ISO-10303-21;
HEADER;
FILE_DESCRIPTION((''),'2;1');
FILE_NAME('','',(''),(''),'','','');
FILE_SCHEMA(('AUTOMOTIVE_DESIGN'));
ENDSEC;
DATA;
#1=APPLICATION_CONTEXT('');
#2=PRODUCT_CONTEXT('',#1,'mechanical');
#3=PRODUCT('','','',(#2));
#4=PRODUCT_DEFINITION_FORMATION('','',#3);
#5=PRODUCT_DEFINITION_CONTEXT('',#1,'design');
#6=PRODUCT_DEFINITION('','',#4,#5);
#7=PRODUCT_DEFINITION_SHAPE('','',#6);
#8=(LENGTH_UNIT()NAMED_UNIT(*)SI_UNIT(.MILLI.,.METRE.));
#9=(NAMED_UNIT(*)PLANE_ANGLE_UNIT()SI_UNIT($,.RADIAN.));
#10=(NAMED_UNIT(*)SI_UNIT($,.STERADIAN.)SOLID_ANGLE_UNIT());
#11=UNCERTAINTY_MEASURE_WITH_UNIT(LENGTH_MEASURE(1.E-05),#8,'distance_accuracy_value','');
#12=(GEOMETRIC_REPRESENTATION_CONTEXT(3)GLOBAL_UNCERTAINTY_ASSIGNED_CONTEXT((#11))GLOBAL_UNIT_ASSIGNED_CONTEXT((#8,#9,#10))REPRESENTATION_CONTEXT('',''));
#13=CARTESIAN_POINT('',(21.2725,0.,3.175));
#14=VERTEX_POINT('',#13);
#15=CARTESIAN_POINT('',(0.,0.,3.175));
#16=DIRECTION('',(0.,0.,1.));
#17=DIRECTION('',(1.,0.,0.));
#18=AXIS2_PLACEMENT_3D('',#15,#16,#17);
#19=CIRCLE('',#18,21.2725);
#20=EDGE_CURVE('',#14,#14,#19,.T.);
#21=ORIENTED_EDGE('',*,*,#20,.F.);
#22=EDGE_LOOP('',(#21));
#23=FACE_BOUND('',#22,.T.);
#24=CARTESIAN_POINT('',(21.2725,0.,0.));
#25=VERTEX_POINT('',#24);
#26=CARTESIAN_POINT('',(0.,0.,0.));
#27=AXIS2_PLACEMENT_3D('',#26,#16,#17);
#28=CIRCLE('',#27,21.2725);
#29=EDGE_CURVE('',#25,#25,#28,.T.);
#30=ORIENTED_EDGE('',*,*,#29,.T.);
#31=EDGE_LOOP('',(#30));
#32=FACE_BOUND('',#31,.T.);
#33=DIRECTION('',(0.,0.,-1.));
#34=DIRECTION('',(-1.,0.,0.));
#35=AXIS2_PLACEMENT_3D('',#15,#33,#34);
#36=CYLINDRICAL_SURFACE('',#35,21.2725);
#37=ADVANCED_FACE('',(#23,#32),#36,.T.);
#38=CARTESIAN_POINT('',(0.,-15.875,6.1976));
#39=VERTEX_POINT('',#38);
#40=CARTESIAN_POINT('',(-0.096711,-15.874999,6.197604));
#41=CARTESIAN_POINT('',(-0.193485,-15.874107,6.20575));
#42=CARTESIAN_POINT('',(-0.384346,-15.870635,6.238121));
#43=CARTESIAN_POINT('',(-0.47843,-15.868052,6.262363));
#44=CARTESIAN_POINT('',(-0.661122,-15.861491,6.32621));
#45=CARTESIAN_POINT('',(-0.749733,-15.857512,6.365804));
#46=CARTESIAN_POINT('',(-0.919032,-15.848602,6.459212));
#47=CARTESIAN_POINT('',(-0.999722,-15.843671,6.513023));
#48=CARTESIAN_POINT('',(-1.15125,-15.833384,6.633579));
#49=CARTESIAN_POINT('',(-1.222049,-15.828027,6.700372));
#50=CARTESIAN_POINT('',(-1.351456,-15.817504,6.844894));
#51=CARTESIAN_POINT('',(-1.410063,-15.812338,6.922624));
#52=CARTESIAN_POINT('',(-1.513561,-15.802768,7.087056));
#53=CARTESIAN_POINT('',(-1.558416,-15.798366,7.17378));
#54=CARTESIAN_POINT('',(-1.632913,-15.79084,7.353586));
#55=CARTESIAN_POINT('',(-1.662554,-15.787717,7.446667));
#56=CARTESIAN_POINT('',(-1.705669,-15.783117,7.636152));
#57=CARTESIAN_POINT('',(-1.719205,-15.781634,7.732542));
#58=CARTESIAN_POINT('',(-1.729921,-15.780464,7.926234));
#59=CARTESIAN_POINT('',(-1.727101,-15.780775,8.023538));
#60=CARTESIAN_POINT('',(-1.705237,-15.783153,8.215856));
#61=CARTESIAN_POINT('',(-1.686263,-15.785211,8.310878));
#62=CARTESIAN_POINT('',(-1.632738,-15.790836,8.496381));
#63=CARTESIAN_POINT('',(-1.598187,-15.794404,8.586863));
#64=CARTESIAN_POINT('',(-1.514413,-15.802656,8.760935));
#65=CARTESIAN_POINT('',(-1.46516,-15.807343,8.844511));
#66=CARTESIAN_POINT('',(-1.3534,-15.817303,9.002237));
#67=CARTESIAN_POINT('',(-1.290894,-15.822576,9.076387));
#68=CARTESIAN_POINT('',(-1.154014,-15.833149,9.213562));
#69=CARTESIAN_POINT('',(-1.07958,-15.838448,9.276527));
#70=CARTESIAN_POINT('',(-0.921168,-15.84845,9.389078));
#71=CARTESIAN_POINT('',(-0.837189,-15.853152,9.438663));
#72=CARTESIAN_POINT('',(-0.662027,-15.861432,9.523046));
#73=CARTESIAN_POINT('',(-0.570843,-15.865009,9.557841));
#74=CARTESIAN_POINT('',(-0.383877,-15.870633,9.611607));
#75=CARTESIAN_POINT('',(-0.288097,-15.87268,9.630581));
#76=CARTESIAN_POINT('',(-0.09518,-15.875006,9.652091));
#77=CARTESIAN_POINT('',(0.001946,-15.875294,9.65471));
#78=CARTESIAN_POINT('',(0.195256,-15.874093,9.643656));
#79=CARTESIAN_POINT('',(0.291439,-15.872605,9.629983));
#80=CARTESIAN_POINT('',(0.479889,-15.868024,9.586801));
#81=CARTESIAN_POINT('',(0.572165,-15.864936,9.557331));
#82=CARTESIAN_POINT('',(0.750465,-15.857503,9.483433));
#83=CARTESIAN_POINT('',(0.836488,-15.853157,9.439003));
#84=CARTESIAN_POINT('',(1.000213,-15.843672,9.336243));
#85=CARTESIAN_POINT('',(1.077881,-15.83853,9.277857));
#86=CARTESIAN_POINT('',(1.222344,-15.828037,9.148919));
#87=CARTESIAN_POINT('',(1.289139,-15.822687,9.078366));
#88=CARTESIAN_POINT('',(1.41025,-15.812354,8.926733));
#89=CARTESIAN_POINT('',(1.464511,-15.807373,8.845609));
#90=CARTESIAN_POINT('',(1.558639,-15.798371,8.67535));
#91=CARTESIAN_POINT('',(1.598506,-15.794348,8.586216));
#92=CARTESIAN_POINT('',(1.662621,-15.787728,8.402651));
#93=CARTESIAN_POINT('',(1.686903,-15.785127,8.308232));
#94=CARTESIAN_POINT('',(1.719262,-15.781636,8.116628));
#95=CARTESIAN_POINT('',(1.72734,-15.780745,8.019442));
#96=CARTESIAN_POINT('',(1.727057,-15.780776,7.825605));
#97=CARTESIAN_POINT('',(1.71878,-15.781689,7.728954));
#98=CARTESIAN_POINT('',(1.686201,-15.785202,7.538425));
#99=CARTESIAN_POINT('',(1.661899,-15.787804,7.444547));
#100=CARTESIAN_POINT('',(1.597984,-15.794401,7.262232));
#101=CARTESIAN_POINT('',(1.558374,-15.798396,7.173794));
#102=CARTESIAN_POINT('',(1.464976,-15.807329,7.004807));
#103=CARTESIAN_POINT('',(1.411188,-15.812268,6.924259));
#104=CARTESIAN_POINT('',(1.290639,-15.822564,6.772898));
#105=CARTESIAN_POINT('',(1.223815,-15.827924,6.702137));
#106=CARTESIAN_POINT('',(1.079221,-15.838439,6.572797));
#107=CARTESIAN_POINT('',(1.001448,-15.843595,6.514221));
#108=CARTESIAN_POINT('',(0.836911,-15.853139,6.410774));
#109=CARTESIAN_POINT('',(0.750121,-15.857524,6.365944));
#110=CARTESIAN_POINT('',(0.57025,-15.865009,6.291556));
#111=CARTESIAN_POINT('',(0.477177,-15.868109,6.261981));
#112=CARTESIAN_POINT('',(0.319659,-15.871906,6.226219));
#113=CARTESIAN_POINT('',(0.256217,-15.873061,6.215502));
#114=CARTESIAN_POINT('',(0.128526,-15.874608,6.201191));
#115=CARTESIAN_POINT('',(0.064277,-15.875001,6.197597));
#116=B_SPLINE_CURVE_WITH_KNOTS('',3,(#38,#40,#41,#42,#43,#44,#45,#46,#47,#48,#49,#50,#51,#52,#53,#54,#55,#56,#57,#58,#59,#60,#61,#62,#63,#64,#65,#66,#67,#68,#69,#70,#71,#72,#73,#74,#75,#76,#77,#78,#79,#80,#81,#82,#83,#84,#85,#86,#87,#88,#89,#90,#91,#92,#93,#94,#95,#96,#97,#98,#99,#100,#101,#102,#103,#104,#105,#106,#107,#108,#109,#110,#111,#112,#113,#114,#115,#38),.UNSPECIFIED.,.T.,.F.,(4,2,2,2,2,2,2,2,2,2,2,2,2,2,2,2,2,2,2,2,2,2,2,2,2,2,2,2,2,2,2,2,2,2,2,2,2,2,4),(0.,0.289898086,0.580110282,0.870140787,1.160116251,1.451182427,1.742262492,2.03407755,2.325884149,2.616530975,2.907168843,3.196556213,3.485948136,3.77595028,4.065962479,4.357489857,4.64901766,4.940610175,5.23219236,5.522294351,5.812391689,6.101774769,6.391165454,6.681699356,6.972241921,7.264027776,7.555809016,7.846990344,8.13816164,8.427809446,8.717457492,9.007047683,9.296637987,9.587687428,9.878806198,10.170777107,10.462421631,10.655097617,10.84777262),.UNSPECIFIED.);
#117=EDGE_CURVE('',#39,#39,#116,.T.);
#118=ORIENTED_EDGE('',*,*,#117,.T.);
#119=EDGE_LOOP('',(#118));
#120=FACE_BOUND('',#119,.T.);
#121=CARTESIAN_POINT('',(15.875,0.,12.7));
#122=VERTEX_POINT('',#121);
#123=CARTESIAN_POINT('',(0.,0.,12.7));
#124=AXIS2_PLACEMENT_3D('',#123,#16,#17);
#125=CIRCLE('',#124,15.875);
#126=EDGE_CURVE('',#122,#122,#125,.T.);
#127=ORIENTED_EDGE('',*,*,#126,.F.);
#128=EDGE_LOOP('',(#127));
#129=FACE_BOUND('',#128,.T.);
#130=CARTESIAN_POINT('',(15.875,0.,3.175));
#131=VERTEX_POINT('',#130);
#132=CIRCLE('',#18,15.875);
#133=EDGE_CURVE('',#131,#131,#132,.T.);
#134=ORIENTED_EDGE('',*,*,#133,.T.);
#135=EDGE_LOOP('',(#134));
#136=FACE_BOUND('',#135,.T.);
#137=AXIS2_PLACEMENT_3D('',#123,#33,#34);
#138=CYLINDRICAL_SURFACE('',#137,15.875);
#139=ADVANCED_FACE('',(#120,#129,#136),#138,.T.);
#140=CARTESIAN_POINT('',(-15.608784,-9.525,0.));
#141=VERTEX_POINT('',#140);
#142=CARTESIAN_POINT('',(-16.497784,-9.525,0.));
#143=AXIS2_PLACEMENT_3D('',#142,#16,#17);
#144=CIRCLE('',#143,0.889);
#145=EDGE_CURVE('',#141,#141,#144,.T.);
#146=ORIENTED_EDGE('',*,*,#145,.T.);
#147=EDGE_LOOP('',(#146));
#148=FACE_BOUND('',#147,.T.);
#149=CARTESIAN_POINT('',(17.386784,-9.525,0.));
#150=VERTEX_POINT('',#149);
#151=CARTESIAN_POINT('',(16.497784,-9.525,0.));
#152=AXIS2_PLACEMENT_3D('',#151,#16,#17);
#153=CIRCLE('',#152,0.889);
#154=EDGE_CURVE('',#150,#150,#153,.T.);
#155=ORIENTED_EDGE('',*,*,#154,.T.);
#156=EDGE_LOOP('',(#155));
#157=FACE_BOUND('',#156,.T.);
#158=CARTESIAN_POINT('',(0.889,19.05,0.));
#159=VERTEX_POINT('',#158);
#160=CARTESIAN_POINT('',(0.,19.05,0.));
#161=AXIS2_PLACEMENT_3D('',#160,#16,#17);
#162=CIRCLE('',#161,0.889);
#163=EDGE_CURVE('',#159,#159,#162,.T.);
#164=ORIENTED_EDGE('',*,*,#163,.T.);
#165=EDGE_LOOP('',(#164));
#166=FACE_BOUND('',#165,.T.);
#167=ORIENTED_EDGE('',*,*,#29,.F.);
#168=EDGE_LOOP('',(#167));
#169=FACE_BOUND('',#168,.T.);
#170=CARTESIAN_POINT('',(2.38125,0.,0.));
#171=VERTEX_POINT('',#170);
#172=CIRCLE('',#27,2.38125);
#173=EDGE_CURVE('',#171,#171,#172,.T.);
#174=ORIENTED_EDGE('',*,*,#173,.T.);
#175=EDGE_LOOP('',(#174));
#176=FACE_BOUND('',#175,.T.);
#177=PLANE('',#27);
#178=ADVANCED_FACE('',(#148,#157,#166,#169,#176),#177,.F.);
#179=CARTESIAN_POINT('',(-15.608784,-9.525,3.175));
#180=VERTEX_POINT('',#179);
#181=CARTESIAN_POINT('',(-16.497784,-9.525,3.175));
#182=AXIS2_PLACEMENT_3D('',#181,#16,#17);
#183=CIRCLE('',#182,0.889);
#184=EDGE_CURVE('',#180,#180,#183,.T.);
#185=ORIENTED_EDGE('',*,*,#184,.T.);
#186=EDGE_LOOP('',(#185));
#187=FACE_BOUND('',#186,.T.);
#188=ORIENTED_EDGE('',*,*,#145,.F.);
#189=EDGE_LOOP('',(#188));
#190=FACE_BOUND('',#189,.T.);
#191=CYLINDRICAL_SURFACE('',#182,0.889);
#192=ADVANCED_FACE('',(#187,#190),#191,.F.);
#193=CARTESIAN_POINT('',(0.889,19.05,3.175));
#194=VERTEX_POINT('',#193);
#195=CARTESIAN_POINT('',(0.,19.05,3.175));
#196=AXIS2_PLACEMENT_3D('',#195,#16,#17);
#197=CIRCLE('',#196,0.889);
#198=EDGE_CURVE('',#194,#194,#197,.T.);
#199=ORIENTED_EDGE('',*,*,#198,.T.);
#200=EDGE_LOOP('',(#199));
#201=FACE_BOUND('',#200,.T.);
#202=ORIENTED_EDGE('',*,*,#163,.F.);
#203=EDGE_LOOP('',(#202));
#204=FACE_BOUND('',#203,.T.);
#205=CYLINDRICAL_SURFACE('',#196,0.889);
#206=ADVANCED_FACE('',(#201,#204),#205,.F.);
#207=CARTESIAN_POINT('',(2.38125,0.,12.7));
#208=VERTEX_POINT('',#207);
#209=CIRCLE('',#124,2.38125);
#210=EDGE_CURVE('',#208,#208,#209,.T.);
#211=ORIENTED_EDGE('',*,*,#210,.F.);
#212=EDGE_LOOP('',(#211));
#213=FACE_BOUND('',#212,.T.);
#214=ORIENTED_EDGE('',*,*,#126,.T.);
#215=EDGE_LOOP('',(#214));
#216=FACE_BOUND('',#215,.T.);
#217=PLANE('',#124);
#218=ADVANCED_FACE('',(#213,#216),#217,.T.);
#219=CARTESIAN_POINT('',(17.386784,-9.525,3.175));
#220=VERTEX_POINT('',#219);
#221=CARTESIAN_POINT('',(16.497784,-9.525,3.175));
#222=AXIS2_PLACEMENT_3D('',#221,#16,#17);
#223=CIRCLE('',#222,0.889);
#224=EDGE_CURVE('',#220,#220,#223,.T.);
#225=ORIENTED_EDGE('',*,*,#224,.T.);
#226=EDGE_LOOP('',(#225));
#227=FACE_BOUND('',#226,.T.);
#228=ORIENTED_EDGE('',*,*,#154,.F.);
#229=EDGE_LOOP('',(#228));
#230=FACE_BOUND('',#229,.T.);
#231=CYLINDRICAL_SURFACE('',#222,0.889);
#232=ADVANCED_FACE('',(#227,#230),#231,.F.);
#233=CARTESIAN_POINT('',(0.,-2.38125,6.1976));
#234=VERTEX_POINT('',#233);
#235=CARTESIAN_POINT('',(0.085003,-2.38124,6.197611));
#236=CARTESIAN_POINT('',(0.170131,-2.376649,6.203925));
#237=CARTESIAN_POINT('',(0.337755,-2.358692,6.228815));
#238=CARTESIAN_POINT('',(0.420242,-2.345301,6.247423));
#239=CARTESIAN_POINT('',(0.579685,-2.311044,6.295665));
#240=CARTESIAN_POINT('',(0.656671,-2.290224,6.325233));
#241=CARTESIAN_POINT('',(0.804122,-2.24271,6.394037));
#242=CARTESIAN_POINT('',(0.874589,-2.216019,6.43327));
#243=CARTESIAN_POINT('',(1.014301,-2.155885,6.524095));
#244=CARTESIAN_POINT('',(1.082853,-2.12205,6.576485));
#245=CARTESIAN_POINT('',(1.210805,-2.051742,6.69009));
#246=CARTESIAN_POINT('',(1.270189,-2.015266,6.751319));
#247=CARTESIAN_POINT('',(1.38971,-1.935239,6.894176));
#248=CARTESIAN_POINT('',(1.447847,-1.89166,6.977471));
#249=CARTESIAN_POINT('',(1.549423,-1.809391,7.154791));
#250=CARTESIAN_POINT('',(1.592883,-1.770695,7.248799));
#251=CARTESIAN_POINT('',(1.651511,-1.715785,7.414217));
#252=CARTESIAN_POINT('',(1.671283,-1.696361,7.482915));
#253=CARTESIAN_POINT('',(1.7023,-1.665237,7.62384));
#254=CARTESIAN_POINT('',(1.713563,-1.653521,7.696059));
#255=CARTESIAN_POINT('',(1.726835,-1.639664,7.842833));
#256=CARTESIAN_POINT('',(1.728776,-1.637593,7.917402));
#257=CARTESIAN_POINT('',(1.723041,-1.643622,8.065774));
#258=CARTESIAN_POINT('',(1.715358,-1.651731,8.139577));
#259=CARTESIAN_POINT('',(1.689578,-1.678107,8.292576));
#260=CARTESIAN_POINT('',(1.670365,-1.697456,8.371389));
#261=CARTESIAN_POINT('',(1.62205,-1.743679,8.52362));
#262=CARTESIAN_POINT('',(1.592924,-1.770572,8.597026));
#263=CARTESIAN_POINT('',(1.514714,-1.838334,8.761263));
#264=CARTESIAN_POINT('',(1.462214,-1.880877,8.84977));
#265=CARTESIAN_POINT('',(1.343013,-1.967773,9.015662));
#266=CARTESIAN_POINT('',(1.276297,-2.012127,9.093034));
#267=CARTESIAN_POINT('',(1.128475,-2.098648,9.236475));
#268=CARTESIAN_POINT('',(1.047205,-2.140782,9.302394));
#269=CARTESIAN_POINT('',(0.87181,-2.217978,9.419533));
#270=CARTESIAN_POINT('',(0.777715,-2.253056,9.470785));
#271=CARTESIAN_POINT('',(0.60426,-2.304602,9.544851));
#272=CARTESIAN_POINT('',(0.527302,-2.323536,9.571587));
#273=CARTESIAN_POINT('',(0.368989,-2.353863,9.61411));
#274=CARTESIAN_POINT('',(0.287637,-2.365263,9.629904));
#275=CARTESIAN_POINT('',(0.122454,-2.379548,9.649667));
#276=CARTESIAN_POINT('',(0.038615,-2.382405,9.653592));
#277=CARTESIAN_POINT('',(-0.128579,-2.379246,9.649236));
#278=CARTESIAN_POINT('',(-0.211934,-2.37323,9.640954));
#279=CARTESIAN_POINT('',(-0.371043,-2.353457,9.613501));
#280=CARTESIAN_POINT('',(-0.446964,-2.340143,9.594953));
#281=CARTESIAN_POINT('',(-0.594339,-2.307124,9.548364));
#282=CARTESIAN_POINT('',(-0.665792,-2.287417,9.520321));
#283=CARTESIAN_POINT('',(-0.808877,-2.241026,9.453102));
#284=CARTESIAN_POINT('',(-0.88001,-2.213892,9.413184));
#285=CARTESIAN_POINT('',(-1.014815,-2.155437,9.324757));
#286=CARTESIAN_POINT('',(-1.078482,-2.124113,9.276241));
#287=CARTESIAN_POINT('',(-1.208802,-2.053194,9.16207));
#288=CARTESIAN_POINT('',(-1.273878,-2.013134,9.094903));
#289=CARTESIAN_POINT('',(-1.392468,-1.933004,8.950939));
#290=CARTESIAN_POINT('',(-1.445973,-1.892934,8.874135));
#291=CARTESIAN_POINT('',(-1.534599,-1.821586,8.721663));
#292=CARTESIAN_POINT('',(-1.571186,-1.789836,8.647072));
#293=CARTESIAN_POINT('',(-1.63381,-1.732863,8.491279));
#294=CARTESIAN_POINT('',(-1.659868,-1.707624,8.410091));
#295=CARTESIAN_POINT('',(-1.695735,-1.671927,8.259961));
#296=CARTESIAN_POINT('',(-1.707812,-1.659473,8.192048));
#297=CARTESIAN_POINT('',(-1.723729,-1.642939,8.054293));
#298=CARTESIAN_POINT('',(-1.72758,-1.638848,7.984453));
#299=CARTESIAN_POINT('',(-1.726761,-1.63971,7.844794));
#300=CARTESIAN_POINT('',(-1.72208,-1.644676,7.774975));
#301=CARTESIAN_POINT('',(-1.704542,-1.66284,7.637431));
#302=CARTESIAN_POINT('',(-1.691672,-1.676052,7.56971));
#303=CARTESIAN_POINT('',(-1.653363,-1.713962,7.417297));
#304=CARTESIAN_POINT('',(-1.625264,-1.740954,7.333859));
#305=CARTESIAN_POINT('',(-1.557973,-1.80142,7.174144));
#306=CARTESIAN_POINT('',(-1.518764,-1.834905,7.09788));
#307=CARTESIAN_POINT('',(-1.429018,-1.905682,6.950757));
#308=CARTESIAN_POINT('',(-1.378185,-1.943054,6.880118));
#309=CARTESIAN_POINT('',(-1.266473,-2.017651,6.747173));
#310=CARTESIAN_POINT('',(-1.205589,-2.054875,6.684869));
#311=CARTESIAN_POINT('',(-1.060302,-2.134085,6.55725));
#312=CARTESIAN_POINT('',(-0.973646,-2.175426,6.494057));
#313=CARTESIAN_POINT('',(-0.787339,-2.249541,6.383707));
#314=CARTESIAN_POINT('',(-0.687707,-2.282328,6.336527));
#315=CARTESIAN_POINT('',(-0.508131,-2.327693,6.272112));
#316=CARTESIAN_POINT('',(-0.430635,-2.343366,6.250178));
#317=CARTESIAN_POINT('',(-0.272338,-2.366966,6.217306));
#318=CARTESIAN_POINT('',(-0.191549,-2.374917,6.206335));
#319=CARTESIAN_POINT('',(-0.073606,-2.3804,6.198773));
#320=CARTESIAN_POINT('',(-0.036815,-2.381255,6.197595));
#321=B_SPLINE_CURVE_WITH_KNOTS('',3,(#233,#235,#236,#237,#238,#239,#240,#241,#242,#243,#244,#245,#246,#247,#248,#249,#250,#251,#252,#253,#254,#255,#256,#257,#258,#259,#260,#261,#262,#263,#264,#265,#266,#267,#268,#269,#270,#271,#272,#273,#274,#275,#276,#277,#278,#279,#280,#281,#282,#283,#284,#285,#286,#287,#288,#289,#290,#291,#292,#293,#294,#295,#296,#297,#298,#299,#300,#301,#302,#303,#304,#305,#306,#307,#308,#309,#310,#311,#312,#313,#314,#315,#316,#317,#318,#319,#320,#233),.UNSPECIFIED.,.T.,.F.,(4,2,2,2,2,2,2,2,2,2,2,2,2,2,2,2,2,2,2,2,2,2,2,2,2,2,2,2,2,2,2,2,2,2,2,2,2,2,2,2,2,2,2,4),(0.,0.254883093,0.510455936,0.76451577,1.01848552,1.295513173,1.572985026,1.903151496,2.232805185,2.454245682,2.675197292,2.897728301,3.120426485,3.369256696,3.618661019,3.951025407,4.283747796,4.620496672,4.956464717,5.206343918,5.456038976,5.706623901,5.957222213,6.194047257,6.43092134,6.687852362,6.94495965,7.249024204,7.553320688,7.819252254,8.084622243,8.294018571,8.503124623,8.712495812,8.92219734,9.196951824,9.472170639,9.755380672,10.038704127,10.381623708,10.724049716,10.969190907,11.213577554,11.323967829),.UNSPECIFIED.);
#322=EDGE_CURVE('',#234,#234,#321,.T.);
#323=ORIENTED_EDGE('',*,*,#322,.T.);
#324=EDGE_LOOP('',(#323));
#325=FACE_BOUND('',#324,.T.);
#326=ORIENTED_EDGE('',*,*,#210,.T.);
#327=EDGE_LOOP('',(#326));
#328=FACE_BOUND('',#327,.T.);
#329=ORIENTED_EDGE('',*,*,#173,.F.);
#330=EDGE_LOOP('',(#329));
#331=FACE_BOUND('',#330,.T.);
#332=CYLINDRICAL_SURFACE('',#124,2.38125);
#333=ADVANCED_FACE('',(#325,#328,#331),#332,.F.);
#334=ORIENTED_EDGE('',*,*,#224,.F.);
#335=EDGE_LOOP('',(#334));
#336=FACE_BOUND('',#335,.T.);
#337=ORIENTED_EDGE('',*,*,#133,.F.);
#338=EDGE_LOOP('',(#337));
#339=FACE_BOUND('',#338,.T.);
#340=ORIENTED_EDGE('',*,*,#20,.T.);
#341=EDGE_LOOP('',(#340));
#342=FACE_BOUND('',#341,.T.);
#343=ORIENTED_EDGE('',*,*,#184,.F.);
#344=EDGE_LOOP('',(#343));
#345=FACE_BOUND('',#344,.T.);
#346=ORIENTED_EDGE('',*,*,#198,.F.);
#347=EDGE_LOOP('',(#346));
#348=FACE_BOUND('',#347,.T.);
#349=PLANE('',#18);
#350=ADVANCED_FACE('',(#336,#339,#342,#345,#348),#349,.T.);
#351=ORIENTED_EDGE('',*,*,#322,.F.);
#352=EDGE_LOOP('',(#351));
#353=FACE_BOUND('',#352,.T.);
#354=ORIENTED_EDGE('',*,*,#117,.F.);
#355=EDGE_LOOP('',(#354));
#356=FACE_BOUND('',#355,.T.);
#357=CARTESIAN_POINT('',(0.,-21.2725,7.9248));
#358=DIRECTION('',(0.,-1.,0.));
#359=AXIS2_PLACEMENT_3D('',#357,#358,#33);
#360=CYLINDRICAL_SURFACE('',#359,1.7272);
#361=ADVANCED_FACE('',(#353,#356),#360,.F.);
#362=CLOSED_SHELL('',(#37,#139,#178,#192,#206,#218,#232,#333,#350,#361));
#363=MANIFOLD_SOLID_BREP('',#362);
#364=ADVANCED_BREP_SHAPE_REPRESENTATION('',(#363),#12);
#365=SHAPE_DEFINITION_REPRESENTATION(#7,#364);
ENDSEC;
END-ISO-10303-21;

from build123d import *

# Parameters (mm, degrees)
SKETCH1_R                      = 21.2725
BOSS_EXTRUDE1_DEPTH            = 3.175
SKETCH2_R                      = 15.875
BOSS_EXTRUDE2_DEPTH            = 9.525
F_3_16_0_1875_DIAMETER_HOLE1_D = 4.7625
F_2_56_TAPPED_HOLE3_D          = 1.778
CIRPATTERN1_COUNT              = 3
F_8_32_TAPPED_HOLE1_D          = 3.4544
F_8_32_TAPPED_HOLE1_DEPTH      = 21.2715
F_8_32_TAPPED_HOLE1_TIP        = 1.037806461


with BuildPart() as part:
    # Sketch1 → Boss-Extrude1 (new body)
    with BuildSketch(Plane.XY):
        Circle(SKETCH1_R)
    extrude(amount=BOSS_EXTRUDE1_DEPTH)

    # Sketch2 → Boss-Extrude2 (add)
    with BuildSketch(Plane.XY.offset(3.175)):
        Circle(SKETCH2_R)
    extrude(amount=BOSS_EXTRUDE2_DEPTH)

    # 3/16 (0.1875) Diameter Hole1 (through all)
    with Locations(Plane.XY.offset(12.7)):
        with Locations((0, 0)):
            Hole(F_3_16_0_1875_DIAMETER_HOLE1_D / 2)

    # #2-56 Tapped Hole3 (through all)
    with Locations(Plane.XY.offset(3.175)):
        with Locations((0, 19.05)):
            f_2_56_tapped_hole3 = Hole(F_2_56_TAPPED_HOLE3_D / 2)

    # CirPattern1: #2-56 Tapped Hole3 ×3 about axis
    cirpattern1_axis = Axis((0, 0, 0), (0, 0, 1))
    for i in range(1, CIRPATTERN1_COUNT):
        add(f_2_56_tapped_hole3.rotate(cirpattern1_axis, i * 360 / CIRPATTERN1_COUNT), mode=Mode.SUBTRACT)

    # #8-32 Tapped Hole1
    with Locations(Plane.XZ.offset(21.2725)):
        with Locations((0, 7.9248)):
            Hole(F_8_32_TAPPED_HOLE1_D / 2, depth=F_8_32_TAPPED_HOLE1_DEPTH)
            with Locations((0, 0, -(F_8_32_TAPPED_HOLE1_DEPTH + F_8_32_TAPPED_HOLE1_TIP / 2))):  # 118° drill point
                Cone(0, F_8_32_TAPPED_HOLE1_D / 2, F_8_32_TAPPED_HOLE1_TIP, mode=Mode.SUBTRACT)


solid = part.part
